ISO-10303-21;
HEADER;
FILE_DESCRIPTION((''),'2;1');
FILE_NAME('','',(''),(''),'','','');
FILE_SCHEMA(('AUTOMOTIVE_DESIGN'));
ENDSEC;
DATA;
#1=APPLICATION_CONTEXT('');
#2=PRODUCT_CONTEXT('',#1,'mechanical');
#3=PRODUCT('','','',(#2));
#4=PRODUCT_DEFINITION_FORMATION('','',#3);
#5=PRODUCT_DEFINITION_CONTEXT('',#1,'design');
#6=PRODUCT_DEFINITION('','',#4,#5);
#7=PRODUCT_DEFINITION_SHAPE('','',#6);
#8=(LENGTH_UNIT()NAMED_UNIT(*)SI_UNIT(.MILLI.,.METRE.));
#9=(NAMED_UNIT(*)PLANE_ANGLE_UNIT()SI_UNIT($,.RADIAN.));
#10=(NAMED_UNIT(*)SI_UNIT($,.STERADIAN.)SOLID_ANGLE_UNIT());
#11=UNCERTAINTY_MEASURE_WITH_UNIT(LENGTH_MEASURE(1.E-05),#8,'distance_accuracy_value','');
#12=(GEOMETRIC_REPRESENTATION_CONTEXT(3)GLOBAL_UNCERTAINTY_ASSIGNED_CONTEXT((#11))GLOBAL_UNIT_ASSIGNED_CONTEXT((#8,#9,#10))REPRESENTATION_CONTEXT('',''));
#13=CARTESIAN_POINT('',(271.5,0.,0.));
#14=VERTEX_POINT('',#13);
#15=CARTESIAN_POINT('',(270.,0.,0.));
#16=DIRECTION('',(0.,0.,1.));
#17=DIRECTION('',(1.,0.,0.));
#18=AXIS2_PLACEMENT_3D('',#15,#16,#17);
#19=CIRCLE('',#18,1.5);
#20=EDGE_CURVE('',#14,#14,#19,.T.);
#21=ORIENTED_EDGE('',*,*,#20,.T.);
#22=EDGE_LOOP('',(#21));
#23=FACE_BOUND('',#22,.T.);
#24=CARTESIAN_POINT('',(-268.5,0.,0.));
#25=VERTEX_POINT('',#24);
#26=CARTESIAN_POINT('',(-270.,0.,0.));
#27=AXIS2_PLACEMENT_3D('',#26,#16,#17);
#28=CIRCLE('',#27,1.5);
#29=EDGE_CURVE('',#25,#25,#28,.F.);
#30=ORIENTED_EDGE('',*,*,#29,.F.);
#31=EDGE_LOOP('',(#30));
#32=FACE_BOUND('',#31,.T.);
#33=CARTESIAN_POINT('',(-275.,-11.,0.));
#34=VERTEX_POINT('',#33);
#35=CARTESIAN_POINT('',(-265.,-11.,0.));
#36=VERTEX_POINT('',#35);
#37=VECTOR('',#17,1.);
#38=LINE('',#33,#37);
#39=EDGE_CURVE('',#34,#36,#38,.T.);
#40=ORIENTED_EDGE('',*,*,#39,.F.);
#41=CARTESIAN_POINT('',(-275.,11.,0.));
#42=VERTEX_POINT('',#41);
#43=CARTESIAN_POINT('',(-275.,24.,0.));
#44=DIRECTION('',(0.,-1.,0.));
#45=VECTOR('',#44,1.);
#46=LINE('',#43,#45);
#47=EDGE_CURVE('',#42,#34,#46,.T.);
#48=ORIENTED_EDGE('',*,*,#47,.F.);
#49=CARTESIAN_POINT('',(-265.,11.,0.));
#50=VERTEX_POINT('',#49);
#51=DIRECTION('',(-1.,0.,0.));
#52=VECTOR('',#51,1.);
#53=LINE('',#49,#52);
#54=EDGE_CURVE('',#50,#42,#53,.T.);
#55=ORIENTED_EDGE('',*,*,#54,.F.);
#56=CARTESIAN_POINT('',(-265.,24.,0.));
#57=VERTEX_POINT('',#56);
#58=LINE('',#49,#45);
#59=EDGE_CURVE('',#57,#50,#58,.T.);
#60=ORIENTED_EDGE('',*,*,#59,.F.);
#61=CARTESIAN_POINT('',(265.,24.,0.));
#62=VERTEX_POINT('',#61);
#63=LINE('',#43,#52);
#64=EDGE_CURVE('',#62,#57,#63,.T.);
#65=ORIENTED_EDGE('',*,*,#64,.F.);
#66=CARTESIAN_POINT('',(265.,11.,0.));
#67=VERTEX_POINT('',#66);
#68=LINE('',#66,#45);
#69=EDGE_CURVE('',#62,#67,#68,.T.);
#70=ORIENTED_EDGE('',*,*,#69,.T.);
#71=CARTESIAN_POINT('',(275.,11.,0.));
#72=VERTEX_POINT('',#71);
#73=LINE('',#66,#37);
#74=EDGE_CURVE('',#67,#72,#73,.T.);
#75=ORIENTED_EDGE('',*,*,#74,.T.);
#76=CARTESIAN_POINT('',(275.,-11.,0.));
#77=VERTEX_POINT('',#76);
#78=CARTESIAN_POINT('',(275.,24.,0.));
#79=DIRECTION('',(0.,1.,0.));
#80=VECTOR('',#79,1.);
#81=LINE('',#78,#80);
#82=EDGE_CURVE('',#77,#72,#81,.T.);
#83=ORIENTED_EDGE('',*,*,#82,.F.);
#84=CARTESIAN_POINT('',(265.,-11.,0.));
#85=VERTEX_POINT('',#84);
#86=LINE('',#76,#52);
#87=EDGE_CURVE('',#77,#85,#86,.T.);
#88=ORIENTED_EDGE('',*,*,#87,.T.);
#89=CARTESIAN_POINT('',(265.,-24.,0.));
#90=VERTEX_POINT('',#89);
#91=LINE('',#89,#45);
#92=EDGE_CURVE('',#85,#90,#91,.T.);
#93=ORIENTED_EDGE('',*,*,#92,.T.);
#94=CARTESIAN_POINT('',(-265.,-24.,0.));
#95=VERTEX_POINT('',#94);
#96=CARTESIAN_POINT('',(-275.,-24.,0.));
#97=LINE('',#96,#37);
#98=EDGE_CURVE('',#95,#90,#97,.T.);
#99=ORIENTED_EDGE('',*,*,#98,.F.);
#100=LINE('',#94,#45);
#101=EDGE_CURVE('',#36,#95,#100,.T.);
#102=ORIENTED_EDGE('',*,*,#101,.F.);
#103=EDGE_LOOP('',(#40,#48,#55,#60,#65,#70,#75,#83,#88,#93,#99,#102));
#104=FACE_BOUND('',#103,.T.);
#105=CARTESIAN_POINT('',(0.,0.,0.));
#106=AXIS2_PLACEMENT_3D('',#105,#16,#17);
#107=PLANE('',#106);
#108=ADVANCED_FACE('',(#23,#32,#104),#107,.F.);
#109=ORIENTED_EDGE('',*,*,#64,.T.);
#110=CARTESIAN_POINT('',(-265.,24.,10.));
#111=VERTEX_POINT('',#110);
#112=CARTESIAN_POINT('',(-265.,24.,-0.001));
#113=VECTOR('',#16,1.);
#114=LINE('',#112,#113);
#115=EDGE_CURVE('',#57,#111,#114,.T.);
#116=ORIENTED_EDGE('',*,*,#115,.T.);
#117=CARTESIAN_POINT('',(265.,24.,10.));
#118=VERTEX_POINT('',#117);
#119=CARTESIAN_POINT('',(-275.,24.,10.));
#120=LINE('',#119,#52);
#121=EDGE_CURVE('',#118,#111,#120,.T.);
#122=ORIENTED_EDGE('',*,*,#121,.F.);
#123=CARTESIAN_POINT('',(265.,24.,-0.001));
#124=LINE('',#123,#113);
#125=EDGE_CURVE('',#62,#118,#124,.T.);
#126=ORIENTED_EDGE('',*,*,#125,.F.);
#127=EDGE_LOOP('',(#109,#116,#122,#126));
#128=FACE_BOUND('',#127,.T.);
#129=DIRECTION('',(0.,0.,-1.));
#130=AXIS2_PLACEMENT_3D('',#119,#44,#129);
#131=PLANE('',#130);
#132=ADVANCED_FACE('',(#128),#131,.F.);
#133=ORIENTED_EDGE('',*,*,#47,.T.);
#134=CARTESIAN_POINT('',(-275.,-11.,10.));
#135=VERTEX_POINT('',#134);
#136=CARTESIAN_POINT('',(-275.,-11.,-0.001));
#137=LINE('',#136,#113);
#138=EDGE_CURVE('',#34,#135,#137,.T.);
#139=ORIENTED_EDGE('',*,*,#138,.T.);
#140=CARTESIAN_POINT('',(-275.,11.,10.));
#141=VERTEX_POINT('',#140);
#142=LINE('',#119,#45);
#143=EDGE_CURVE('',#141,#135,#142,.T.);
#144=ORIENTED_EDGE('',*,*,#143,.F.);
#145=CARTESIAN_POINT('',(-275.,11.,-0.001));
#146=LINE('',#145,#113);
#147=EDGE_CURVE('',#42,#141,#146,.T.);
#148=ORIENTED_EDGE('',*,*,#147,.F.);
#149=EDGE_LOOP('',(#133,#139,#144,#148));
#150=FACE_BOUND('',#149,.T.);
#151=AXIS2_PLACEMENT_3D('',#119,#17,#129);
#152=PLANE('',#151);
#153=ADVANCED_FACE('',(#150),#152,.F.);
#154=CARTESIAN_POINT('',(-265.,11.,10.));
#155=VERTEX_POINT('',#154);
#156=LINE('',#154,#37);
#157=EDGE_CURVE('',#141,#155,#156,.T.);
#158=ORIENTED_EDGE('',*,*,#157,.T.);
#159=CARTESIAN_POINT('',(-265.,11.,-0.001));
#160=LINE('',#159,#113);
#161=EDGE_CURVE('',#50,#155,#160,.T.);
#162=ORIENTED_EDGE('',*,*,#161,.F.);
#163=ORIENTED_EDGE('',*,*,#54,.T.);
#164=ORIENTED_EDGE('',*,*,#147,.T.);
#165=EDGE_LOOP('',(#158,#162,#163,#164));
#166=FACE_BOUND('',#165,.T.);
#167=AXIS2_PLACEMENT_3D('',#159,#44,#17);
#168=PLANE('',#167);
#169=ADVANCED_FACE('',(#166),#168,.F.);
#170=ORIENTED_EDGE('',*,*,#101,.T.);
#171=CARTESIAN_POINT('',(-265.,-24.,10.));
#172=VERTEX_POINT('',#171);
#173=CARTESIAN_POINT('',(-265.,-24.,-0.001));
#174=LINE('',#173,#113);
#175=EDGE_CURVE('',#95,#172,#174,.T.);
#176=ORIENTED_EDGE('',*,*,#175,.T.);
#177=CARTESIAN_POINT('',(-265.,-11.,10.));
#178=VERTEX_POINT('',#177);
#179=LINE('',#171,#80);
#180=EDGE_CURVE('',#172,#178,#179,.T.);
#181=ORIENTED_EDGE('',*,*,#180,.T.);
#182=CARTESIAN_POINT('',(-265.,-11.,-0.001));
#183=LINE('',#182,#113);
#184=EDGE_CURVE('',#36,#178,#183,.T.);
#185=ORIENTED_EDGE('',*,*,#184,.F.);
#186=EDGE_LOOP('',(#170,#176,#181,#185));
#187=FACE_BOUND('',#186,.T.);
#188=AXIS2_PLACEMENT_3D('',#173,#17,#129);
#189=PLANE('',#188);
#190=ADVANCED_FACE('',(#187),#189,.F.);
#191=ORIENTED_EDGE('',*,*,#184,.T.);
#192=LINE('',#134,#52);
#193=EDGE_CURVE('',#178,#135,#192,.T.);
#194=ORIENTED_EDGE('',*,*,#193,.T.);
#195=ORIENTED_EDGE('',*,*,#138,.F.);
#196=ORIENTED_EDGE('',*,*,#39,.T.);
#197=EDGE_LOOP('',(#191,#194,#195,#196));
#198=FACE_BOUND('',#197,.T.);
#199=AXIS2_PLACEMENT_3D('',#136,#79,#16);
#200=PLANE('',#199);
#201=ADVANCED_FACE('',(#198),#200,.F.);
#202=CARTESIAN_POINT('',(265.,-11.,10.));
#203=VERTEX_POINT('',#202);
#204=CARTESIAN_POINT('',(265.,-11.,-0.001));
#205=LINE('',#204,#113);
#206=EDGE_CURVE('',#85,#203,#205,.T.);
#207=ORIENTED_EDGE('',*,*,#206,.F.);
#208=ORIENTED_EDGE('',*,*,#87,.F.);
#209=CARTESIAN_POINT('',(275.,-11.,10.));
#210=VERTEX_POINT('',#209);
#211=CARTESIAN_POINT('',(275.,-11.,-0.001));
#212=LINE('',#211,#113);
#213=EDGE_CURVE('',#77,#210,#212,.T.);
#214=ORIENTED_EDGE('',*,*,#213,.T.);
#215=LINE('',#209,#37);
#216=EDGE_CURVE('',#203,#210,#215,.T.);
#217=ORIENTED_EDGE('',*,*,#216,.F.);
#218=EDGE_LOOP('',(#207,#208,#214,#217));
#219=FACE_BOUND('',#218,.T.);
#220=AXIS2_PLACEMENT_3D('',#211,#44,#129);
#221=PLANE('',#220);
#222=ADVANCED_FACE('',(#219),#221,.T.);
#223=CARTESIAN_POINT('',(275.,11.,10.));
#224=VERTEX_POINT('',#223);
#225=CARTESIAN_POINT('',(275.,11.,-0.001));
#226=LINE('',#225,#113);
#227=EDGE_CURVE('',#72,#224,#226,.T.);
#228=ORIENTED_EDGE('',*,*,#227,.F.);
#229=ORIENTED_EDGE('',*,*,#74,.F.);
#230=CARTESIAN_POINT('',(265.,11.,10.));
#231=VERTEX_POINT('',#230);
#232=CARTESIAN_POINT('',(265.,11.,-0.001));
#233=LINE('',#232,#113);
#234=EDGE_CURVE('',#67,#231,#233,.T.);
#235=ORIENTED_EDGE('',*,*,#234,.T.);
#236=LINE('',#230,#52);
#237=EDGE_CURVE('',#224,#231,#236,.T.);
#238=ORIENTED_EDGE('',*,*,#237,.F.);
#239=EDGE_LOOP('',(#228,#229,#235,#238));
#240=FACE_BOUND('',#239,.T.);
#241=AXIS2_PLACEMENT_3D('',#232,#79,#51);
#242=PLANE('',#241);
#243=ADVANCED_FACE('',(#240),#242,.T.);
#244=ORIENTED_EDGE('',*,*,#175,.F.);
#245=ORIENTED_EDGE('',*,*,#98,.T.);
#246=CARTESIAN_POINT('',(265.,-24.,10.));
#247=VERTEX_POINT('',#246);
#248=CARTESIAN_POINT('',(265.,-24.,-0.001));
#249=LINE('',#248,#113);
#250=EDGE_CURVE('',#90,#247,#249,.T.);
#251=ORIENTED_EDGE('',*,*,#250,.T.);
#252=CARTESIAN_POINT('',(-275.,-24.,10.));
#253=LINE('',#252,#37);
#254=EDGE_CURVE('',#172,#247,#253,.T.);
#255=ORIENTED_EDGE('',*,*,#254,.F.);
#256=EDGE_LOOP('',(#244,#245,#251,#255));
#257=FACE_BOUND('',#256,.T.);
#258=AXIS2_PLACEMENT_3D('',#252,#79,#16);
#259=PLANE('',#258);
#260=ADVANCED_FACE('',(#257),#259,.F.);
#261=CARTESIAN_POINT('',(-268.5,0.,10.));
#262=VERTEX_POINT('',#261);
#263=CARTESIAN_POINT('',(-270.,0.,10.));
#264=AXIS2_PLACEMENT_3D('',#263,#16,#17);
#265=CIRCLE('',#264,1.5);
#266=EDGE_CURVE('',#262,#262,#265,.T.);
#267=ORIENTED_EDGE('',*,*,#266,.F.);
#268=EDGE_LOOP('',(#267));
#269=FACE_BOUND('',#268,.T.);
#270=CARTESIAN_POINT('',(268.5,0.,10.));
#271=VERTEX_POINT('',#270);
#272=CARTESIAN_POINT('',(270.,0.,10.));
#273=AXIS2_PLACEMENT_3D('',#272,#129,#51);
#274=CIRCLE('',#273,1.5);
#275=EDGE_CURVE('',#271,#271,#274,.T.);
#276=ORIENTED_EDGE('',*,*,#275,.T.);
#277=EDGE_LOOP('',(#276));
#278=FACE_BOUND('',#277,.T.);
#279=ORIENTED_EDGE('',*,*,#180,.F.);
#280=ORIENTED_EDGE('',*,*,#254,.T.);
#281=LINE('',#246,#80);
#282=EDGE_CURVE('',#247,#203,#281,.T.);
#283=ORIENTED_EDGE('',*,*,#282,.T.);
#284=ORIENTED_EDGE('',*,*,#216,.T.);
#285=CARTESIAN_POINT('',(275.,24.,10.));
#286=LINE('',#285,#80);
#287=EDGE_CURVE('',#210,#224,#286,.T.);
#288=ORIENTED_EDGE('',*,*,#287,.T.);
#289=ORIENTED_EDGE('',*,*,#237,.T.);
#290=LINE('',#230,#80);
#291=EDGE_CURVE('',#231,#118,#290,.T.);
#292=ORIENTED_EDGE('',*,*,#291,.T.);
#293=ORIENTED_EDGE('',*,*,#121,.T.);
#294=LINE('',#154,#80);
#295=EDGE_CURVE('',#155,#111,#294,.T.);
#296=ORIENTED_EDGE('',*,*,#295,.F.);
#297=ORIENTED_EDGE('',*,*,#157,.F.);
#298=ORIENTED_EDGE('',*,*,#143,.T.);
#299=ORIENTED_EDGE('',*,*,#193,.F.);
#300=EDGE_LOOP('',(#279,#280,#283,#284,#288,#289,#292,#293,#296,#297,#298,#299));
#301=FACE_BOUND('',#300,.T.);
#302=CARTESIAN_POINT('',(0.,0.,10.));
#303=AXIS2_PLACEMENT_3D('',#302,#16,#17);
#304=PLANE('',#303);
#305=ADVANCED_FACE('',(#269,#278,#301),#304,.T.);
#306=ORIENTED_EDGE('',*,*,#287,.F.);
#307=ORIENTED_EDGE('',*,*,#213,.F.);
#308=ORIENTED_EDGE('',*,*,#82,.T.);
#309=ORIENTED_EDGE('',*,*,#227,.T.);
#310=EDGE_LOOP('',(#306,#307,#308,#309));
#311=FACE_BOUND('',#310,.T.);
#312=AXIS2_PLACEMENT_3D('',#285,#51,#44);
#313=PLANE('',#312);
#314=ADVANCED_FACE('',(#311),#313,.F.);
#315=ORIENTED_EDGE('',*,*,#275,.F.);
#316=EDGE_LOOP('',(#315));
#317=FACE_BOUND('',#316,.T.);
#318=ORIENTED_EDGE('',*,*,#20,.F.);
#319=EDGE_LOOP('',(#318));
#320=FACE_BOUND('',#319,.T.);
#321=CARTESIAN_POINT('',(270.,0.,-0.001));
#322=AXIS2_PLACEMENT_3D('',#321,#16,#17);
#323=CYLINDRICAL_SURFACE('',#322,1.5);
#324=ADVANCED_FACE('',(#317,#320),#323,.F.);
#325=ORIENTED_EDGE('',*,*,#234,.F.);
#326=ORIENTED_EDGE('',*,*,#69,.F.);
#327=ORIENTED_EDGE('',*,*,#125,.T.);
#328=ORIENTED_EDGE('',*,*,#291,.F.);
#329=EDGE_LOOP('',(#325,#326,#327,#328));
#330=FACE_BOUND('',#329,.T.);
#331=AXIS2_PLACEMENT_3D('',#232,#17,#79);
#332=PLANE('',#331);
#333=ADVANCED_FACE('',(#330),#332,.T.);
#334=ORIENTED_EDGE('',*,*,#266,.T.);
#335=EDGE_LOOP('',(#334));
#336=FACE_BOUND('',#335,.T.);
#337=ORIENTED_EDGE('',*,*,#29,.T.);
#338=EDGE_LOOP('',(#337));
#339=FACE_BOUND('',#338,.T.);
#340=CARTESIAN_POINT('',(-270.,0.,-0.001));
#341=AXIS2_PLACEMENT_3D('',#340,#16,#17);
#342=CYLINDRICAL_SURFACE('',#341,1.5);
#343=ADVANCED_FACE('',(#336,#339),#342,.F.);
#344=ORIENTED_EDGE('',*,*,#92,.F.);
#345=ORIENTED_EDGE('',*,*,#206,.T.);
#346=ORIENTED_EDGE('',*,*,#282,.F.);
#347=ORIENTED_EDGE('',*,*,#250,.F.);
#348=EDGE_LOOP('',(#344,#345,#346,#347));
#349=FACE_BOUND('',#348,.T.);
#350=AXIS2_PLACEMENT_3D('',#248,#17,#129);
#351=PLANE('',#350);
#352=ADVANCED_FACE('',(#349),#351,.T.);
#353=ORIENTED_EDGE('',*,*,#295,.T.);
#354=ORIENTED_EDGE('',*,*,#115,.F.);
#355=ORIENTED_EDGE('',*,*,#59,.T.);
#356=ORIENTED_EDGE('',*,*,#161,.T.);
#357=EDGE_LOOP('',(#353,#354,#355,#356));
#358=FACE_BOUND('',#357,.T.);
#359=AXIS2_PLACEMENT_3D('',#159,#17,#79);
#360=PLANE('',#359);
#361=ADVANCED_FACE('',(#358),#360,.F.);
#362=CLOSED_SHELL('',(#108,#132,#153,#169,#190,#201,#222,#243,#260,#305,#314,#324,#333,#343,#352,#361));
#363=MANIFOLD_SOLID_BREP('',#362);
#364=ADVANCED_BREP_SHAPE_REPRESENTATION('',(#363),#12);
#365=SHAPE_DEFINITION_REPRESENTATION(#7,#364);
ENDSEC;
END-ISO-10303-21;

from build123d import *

# Parameters (mm, degrees)
SKETCH1_W             = 550
SKETCH1_H             = 48
EXTRUDE_361_DEPTH     = 10
CUT_EXTRUDE_622_REACH = 278.226
SKETCH2_W             = 10
SKETCH2_H             = 13
CUT_EXTRUDE_942_REACH = 278.226
SKETCH3_R             = 1.5


with BuildPart() as part:
    # Sketch1 → Extrude 361 (new body)
    with BuildSketch(Plane.XY):
        Rectangle(SKETCH1_W, SKETCH1_H)
    extrude(amount=EXTRUDE_361_DEPTH)

    # Sketch2 → Cut-Extrude 622 (cut, up to next)
    with BuildSketch(Plane.XY.offset(10), mode=Mode.PRIVATE) as cut_extrude_622_sk1:
        with Locations((-270, -17.5)):
            Rectangle(SKETCH2_W, SKETCH2_H)
    cut_extrude_622_tool1 = extrude(cut_extrude_622_sk1.sketch, amount=-CUT_EXTRUDE_622_REACH, mode=Mode.PRIVATE) & part.part
    # Sketch2 → Cut-Extrude 622 (cut, up to next)
    with BuildSketch(Plane.XY.offset(10), mode=Mode.PRIVATE) as cut_extrude_622_sk2:
        with Locations((-270, 17.5)):
            Rectangle(SKETCH2_W, SKETCH2_H)
    cut_extrude_622_tool2 = extrude(cut_extrude_622_sk2.sketch, amount=-CUT_EXTRUDE_622_REACH, mode=Mode.PRIVATE) & part.part
    cut_extrude_622_1 = cut_extrude_622_tool1.solids().sort_by_distance((-270, -17.5, 10))[0]
    add(cut_extrude_622_1, mode=Mode.SUBTRACT)
    cut_extrude_622_2 = cut_extrude_622_tool2.solids().sort_by_distance((-270, 17.5, 10))[0]
    add(cut_extrude_622_2, mode=Mode.SUBTRACT)
    cut_extrude_622 = cut_extrude_622_1 + cut_extrude_622_2  # Cut-Extrude 622 as one shape, for the pattern or mirror that repeats it

    # Sketch3 → Cut-Extrude 942 (cut, up to next)
    with BuildSketch(Plane.XY.offset(10), mode=Mode.PRIVATE) as cut_extrude_942_sk1:
        with Locations((-270, 0)):
            Circle(SKETCH3_R)
    cut_extrude_942_tool1 = extrude(cut_extrude_942_sk1.sketch, amount=-CUT_EXTRUDE_942_REACH, mode=Mode.PRIVATE) & part.part
    cut_extrude_942 = cut_extrude_942_tool1.solids().sort_by_distance((-270, 0, 10))[0]
    add(cut_extrude_942, mode=Mode.SUBTRACT)

    # Mirror1: Cut-Extrude 622, Cut-Extrude 942 across plane
    add(cut_extrude_622.mirror(Plane(origin=(0, 0, 0), x_dir=(0, 0, 1), z_dir=(1, 0, 0))), mode=Mode.SUBTRACT)
    add(cut_extrude_942.mirror(Plane(origin=(0, 0, 0), x_dir=(0, 0, 1), z_dir=(1, 0, 0))), mode=Mode.SUBTRACT)


solid = part.part
